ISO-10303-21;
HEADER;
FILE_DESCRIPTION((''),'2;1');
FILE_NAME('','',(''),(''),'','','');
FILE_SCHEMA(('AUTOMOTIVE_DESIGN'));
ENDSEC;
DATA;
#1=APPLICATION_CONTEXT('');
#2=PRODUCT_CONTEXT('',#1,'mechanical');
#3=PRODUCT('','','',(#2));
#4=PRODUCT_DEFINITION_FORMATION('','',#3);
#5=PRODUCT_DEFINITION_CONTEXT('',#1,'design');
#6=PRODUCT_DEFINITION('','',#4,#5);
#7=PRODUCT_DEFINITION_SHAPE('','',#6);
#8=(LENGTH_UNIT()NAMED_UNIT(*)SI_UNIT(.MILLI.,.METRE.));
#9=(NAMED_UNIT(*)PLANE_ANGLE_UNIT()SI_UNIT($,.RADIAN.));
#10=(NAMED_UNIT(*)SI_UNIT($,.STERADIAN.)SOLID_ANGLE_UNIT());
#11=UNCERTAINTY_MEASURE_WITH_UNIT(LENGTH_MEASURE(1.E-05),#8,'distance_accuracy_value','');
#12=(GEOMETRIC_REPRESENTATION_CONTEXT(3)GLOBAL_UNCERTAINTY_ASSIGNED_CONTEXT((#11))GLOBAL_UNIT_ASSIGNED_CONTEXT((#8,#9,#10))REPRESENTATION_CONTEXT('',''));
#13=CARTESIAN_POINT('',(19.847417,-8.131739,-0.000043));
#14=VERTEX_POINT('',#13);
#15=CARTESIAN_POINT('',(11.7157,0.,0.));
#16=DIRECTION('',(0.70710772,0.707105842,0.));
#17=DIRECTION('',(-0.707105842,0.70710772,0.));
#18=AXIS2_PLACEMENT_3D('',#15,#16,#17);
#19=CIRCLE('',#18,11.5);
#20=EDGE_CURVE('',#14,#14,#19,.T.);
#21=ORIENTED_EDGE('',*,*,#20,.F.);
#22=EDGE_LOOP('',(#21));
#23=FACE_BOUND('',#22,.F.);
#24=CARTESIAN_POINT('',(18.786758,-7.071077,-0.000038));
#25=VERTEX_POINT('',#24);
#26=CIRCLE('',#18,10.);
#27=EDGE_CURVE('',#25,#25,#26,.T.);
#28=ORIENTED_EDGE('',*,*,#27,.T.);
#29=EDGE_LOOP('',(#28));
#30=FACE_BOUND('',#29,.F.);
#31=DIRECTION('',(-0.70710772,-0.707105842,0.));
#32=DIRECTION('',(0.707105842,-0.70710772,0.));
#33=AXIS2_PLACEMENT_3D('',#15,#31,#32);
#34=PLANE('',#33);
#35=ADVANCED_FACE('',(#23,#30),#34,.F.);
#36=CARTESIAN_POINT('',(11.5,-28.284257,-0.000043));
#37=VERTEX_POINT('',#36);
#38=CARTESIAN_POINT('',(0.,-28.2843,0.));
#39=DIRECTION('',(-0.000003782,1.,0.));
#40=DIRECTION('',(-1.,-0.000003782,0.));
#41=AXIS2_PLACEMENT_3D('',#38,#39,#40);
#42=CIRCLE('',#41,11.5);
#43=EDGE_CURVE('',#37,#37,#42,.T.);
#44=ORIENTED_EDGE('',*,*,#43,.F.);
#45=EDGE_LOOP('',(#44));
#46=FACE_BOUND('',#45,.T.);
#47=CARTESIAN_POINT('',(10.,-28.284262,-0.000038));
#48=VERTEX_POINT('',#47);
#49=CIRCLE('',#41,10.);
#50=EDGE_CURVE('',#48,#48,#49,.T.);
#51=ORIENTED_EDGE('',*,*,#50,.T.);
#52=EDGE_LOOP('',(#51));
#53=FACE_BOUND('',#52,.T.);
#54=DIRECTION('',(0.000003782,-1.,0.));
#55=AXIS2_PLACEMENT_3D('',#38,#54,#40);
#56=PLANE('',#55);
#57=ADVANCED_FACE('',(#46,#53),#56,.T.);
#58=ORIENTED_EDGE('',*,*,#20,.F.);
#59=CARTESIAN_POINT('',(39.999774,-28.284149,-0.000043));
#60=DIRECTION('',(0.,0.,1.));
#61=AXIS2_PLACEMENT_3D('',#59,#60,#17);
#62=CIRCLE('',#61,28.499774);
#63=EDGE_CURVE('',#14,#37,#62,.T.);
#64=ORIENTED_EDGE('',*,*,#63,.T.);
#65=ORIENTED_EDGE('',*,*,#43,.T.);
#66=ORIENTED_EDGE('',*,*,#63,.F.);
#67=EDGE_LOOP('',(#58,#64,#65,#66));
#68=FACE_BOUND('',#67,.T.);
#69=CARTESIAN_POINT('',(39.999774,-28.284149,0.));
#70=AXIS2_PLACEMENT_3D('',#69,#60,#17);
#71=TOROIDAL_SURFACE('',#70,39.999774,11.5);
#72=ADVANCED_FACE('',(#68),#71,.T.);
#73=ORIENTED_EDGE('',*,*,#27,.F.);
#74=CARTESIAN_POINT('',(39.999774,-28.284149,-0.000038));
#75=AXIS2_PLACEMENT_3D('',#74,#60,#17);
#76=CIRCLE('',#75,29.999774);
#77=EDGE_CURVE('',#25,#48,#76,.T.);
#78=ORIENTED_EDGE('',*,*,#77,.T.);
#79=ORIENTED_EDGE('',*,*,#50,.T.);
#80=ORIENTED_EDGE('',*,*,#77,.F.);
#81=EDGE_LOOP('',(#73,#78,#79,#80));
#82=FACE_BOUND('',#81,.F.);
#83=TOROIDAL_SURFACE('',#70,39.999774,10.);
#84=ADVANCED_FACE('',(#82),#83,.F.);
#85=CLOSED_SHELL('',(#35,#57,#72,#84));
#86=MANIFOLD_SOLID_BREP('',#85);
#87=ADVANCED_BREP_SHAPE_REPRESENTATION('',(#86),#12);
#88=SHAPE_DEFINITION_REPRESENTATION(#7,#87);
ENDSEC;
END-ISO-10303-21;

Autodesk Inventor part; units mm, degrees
ref_plane "YZ Plane" through (0, 0, 0) normal (1, 0, 0) x (0, 1, 0)
ref_plane "XZ Plane" through (0, 0, 0) normal (0, 1, 0) x (-1, 0, 0)
sketch "Szkic6" plane through (0, 0, 0) normal (0, 0, 1) x (1, 0, 0)
  line L0 (-29.6067, 0) -> (35.2678, 0) construction
  line L1 (0, 42.3419) -> (0, -58.3726) construction
  arc A0 (11.7157, 0) -> (0, -28.2843) centre (40, -28.2843) ccw
  line L2 (0, -28.2843) -> (40, -28.2843) construction
  line L3 (40, -28.2843) -> (-6.3389, 18.0546) construction
  line L4 (11.7157, 0) -> (11.7157, 0)
  line L5 (0, -28.2843) -> (0, -28.2843)
  point P0 (0, 0)
  dimension "d24" = 40
  dimension "d31" = 45
  dimension "d36" = 0
  dimension "d37" = 0
ref_plane "Płaszczyzna konstrukcyjna2" through (0, -28.2843, 0) normal (0, -1, 0) x (1, 0, 0)
sketch "Szkic8" plane through (0, -28.2843, 0) normal (0, -1, 0) x (1, 0, 0)
  circle A0 centre (0, 0) radius 11.5
  circle A1 centre (0, 0) radius 10
  dimension "d32" = 23
  dimension "d33" = 1.5
sweep "Przeciągnięcie2" add profiles "Szkic8" path "Szkic6"
equation "\"d32\" = OD"
equation "\"d33\" = THK"
equation "\"d24\" = R"
equation "\"d31\" = KAT"
equation "\"SzerokośćGięciaPodcięcia\" = Grubość"
equation "\"RozmiarPodcięciaNarożnika\" = 4 * Grubość"
equation "\"PromieńPrzejścia\" = PromieńGięcia"
equation "\"Rozmiar_promienia_Jacobiego\" = PromieńGięcia"
equation "\"Wielk_odstępu\" = Grubość"
equation "\"d2\" = PromieńGięcia"
equation "\"d23\" = PromieńGięcia"
equation "\"R\" = 40"
equation "\"OD\" = 23"
equation "\"THK\" = 1.5"
equation "\"KAT\" = 45deg"
equation "\"PROSTKA\" = 0"
equation "\"Grubość\" = 1.5"
equation "\"PromieńGięcia\" = 3"
properties part number "Kolano 45° ø23x1,5 R40" material "304L"
